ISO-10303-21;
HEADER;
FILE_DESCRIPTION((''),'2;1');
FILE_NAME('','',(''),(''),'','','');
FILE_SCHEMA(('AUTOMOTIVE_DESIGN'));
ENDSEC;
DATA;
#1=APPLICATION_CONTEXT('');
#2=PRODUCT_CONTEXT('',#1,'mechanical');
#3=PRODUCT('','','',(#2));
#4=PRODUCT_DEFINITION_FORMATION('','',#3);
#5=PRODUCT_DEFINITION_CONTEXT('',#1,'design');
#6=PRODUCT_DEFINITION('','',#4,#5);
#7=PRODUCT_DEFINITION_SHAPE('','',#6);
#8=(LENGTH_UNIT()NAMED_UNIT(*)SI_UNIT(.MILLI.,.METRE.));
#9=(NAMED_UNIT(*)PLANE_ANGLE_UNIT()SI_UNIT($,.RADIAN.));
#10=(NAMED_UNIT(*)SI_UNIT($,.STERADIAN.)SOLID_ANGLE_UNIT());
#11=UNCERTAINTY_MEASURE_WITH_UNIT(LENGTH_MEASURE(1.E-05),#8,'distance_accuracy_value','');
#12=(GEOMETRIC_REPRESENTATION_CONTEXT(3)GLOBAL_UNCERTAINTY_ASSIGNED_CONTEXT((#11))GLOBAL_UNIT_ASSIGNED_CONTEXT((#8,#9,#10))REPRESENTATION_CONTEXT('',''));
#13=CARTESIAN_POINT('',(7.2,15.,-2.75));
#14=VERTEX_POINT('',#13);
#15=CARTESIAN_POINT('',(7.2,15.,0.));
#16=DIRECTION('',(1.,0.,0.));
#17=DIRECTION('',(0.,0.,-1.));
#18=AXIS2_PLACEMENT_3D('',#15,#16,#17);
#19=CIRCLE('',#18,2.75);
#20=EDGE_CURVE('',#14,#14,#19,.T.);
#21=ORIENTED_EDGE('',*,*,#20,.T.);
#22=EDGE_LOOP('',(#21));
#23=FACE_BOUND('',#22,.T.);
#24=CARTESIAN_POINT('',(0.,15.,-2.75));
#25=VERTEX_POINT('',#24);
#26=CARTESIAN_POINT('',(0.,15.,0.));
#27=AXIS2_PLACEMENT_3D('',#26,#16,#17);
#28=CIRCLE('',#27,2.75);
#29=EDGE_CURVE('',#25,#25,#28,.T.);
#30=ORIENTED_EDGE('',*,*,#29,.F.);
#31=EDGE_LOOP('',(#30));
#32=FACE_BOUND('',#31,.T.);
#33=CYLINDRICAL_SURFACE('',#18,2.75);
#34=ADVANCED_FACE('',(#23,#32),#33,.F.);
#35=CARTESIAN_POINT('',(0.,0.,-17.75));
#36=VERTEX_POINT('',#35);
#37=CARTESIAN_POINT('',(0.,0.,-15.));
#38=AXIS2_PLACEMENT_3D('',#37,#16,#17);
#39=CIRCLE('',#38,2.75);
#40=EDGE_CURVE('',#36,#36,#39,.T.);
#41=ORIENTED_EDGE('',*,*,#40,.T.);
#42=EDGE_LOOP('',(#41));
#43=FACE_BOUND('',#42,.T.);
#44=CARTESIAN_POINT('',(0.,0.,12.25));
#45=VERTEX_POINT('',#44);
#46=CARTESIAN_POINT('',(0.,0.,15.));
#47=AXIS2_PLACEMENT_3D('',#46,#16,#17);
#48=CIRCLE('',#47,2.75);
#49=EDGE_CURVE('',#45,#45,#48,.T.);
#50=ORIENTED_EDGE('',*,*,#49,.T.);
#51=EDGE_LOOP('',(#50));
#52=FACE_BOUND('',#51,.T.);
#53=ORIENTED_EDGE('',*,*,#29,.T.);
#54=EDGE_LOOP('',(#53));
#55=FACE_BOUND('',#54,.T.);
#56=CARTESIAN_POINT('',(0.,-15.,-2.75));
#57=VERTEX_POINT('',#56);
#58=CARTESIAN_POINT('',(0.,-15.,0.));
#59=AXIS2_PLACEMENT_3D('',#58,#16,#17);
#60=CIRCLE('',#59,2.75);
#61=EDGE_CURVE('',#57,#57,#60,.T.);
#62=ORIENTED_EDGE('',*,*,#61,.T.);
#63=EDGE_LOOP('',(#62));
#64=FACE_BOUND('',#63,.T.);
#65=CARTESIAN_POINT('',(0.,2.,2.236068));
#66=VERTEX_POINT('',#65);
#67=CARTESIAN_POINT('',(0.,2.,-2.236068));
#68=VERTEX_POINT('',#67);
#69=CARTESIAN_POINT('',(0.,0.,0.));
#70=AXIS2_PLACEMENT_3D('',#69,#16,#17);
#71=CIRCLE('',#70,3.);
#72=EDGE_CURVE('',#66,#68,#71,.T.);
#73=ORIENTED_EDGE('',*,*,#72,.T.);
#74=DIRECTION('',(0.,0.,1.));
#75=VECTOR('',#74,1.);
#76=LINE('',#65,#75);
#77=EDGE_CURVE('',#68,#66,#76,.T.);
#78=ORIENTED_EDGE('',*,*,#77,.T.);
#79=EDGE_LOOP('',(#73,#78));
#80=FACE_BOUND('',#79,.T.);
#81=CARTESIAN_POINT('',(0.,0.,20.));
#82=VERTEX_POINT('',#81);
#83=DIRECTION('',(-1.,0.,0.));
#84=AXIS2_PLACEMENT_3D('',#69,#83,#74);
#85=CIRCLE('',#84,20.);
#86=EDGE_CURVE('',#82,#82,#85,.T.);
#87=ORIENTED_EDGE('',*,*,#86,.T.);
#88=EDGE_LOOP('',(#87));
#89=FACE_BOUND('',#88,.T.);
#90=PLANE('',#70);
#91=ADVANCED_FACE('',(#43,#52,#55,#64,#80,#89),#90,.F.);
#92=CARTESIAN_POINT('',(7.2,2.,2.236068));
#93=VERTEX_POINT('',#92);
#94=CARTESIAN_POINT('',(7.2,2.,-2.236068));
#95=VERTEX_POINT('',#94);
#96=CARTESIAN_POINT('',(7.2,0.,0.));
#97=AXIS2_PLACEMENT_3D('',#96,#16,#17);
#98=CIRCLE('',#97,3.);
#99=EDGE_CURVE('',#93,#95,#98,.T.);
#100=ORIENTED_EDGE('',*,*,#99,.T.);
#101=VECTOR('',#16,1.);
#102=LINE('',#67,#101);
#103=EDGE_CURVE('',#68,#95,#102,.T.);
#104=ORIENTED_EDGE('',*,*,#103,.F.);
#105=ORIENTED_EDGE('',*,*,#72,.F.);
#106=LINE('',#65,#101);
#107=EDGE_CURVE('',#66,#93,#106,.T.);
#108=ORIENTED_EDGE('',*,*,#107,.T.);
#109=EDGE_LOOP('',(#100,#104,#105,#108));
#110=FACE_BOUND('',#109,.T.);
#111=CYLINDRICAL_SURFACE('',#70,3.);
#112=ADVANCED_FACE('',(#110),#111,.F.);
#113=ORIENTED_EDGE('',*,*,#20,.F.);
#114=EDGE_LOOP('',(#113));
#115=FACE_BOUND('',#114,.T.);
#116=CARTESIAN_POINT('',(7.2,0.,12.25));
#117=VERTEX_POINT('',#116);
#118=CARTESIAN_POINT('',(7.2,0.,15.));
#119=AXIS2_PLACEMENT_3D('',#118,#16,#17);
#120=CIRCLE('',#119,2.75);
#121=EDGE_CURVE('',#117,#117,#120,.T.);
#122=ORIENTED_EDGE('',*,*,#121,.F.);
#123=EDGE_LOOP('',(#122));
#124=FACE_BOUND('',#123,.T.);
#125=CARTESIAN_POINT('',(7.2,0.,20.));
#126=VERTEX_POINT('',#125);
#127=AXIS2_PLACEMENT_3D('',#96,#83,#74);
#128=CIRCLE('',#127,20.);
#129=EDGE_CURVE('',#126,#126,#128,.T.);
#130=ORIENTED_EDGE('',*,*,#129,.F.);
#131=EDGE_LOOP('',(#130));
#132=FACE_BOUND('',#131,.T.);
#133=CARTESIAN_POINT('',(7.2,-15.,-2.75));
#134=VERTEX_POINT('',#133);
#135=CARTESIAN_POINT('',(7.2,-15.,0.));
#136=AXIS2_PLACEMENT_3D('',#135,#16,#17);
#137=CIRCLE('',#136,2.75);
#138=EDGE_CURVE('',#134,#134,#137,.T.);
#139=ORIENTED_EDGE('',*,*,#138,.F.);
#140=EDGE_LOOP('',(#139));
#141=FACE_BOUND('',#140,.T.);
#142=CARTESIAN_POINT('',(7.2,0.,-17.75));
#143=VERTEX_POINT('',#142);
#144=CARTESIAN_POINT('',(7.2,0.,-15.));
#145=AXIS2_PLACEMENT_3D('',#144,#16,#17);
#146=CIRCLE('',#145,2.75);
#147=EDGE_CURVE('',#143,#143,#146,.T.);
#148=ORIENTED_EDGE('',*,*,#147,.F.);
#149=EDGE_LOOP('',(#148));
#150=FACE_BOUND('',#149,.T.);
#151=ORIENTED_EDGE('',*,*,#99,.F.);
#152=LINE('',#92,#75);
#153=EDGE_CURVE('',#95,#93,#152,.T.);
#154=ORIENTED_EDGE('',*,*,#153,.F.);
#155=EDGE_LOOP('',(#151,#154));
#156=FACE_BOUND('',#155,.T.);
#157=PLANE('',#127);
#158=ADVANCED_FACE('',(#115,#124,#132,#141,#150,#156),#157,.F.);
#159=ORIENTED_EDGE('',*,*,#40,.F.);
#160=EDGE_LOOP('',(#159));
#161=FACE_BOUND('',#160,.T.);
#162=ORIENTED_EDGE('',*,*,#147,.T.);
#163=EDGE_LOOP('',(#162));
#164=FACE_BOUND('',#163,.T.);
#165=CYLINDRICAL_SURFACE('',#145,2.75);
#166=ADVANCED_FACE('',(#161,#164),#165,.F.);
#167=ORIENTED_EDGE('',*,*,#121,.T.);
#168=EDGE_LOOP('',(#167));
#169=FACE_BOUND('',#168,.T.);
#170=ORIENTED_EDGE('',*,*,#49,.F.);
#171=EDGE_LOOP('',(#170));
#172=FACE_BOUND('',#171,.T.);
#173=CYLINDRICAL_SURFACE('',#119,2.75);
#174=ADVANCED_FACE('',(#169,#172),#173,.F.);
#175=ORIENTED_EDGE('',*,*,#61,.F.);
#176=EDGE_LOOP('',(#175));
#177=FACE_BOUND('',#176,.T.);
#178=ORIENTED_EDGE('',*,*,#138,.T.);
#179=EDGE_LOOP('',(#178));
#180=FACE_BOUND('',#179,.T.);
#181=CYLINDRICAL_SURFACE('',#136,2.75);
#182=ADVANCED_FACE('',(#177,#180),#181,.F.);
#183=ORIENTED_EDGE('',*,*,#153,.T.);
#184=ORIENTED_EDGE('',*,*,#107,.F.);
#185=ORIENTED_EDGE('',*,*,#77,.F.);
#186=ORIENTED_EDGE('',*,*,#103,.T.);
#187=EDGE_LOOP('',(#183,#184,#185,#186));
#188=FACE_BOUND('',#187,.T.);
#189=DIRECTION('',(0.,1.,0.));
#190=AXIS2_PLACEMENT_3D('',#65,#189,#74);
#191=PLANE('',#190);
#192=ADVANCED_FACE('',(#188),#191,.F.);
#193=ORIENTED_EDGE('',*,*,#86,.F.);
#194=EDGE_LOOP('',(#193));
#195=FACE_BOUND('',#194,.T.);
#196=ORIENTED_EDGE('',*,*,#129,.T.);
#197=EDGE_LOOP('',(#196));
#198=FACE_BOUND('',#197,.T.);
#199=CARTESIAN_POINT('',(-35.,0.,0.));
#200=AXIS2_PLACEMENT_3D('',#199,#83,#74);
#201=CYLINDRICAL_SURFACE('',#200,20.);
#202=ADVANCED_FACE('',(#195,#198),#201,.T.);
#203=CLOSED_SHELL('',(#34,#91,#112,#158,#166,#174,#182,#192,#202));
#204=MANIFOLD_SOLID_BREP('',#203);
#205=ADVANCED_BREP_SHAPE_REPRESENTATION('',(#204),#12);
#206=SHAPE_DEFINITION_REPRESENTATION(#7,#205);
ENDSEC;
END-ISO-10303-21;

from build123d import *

# Parameters (mm, degrees)
ESBO_O1_W               = 7.2
ESBO_O1_H               = 20
CORTE_EXTRUS_O2_DEPTH   = 30.186298155
FURO_COM_FOLGA_DE_M51_D = 5.5


with BuildPart() as part:
    # Esboço1 → Revolução1 (revolve)
    with BuildSketch(Plane.XY, mode=Mode.PRIVATE) as revolu_o1_sk:
        with Locations((3.6, 10)):
            Rectangle(ESBO_O1_W, ESBO_O1_H)
    revolve(revolu_o1_sk.sketch.rotate(Axis((-35, 0, 0), (1, 0, 0)), 90), axis=Axis((-35, 0, 0), (1, 0, 0)))

    # Esboço3 → Corte-extrusão2 (cut, through all)
    with BuildSketch(Plane(origin=(7.2, 0, 0), x_dir=(0, 0, -1), z_dir=(1, 0, 0))):
        with BuildLine():
            Line((-2.236067977, 2), (2.236067977, 2))
            ThreePointArc((2.236067977, 2), (0, -3), (-2.236067977, 2))
        make_face()
    extrude(amount=-CORTE_EXTRUS_O2_DEPTH, mode=Mode.SUBTRACT)

    # Furo com folga de M51 (through all)
    with Locations(Plane(origin=(7.2, 0, 0), x_dir=(0, 0, -1), z_dir=(1, 0, 0))):
        with Locations((0, 15), (15, 0), (0, -15), (-15, 0)):
            Hole(FURO_COM_FOLGA_DE_M51_D / 2)


solid = part.part
